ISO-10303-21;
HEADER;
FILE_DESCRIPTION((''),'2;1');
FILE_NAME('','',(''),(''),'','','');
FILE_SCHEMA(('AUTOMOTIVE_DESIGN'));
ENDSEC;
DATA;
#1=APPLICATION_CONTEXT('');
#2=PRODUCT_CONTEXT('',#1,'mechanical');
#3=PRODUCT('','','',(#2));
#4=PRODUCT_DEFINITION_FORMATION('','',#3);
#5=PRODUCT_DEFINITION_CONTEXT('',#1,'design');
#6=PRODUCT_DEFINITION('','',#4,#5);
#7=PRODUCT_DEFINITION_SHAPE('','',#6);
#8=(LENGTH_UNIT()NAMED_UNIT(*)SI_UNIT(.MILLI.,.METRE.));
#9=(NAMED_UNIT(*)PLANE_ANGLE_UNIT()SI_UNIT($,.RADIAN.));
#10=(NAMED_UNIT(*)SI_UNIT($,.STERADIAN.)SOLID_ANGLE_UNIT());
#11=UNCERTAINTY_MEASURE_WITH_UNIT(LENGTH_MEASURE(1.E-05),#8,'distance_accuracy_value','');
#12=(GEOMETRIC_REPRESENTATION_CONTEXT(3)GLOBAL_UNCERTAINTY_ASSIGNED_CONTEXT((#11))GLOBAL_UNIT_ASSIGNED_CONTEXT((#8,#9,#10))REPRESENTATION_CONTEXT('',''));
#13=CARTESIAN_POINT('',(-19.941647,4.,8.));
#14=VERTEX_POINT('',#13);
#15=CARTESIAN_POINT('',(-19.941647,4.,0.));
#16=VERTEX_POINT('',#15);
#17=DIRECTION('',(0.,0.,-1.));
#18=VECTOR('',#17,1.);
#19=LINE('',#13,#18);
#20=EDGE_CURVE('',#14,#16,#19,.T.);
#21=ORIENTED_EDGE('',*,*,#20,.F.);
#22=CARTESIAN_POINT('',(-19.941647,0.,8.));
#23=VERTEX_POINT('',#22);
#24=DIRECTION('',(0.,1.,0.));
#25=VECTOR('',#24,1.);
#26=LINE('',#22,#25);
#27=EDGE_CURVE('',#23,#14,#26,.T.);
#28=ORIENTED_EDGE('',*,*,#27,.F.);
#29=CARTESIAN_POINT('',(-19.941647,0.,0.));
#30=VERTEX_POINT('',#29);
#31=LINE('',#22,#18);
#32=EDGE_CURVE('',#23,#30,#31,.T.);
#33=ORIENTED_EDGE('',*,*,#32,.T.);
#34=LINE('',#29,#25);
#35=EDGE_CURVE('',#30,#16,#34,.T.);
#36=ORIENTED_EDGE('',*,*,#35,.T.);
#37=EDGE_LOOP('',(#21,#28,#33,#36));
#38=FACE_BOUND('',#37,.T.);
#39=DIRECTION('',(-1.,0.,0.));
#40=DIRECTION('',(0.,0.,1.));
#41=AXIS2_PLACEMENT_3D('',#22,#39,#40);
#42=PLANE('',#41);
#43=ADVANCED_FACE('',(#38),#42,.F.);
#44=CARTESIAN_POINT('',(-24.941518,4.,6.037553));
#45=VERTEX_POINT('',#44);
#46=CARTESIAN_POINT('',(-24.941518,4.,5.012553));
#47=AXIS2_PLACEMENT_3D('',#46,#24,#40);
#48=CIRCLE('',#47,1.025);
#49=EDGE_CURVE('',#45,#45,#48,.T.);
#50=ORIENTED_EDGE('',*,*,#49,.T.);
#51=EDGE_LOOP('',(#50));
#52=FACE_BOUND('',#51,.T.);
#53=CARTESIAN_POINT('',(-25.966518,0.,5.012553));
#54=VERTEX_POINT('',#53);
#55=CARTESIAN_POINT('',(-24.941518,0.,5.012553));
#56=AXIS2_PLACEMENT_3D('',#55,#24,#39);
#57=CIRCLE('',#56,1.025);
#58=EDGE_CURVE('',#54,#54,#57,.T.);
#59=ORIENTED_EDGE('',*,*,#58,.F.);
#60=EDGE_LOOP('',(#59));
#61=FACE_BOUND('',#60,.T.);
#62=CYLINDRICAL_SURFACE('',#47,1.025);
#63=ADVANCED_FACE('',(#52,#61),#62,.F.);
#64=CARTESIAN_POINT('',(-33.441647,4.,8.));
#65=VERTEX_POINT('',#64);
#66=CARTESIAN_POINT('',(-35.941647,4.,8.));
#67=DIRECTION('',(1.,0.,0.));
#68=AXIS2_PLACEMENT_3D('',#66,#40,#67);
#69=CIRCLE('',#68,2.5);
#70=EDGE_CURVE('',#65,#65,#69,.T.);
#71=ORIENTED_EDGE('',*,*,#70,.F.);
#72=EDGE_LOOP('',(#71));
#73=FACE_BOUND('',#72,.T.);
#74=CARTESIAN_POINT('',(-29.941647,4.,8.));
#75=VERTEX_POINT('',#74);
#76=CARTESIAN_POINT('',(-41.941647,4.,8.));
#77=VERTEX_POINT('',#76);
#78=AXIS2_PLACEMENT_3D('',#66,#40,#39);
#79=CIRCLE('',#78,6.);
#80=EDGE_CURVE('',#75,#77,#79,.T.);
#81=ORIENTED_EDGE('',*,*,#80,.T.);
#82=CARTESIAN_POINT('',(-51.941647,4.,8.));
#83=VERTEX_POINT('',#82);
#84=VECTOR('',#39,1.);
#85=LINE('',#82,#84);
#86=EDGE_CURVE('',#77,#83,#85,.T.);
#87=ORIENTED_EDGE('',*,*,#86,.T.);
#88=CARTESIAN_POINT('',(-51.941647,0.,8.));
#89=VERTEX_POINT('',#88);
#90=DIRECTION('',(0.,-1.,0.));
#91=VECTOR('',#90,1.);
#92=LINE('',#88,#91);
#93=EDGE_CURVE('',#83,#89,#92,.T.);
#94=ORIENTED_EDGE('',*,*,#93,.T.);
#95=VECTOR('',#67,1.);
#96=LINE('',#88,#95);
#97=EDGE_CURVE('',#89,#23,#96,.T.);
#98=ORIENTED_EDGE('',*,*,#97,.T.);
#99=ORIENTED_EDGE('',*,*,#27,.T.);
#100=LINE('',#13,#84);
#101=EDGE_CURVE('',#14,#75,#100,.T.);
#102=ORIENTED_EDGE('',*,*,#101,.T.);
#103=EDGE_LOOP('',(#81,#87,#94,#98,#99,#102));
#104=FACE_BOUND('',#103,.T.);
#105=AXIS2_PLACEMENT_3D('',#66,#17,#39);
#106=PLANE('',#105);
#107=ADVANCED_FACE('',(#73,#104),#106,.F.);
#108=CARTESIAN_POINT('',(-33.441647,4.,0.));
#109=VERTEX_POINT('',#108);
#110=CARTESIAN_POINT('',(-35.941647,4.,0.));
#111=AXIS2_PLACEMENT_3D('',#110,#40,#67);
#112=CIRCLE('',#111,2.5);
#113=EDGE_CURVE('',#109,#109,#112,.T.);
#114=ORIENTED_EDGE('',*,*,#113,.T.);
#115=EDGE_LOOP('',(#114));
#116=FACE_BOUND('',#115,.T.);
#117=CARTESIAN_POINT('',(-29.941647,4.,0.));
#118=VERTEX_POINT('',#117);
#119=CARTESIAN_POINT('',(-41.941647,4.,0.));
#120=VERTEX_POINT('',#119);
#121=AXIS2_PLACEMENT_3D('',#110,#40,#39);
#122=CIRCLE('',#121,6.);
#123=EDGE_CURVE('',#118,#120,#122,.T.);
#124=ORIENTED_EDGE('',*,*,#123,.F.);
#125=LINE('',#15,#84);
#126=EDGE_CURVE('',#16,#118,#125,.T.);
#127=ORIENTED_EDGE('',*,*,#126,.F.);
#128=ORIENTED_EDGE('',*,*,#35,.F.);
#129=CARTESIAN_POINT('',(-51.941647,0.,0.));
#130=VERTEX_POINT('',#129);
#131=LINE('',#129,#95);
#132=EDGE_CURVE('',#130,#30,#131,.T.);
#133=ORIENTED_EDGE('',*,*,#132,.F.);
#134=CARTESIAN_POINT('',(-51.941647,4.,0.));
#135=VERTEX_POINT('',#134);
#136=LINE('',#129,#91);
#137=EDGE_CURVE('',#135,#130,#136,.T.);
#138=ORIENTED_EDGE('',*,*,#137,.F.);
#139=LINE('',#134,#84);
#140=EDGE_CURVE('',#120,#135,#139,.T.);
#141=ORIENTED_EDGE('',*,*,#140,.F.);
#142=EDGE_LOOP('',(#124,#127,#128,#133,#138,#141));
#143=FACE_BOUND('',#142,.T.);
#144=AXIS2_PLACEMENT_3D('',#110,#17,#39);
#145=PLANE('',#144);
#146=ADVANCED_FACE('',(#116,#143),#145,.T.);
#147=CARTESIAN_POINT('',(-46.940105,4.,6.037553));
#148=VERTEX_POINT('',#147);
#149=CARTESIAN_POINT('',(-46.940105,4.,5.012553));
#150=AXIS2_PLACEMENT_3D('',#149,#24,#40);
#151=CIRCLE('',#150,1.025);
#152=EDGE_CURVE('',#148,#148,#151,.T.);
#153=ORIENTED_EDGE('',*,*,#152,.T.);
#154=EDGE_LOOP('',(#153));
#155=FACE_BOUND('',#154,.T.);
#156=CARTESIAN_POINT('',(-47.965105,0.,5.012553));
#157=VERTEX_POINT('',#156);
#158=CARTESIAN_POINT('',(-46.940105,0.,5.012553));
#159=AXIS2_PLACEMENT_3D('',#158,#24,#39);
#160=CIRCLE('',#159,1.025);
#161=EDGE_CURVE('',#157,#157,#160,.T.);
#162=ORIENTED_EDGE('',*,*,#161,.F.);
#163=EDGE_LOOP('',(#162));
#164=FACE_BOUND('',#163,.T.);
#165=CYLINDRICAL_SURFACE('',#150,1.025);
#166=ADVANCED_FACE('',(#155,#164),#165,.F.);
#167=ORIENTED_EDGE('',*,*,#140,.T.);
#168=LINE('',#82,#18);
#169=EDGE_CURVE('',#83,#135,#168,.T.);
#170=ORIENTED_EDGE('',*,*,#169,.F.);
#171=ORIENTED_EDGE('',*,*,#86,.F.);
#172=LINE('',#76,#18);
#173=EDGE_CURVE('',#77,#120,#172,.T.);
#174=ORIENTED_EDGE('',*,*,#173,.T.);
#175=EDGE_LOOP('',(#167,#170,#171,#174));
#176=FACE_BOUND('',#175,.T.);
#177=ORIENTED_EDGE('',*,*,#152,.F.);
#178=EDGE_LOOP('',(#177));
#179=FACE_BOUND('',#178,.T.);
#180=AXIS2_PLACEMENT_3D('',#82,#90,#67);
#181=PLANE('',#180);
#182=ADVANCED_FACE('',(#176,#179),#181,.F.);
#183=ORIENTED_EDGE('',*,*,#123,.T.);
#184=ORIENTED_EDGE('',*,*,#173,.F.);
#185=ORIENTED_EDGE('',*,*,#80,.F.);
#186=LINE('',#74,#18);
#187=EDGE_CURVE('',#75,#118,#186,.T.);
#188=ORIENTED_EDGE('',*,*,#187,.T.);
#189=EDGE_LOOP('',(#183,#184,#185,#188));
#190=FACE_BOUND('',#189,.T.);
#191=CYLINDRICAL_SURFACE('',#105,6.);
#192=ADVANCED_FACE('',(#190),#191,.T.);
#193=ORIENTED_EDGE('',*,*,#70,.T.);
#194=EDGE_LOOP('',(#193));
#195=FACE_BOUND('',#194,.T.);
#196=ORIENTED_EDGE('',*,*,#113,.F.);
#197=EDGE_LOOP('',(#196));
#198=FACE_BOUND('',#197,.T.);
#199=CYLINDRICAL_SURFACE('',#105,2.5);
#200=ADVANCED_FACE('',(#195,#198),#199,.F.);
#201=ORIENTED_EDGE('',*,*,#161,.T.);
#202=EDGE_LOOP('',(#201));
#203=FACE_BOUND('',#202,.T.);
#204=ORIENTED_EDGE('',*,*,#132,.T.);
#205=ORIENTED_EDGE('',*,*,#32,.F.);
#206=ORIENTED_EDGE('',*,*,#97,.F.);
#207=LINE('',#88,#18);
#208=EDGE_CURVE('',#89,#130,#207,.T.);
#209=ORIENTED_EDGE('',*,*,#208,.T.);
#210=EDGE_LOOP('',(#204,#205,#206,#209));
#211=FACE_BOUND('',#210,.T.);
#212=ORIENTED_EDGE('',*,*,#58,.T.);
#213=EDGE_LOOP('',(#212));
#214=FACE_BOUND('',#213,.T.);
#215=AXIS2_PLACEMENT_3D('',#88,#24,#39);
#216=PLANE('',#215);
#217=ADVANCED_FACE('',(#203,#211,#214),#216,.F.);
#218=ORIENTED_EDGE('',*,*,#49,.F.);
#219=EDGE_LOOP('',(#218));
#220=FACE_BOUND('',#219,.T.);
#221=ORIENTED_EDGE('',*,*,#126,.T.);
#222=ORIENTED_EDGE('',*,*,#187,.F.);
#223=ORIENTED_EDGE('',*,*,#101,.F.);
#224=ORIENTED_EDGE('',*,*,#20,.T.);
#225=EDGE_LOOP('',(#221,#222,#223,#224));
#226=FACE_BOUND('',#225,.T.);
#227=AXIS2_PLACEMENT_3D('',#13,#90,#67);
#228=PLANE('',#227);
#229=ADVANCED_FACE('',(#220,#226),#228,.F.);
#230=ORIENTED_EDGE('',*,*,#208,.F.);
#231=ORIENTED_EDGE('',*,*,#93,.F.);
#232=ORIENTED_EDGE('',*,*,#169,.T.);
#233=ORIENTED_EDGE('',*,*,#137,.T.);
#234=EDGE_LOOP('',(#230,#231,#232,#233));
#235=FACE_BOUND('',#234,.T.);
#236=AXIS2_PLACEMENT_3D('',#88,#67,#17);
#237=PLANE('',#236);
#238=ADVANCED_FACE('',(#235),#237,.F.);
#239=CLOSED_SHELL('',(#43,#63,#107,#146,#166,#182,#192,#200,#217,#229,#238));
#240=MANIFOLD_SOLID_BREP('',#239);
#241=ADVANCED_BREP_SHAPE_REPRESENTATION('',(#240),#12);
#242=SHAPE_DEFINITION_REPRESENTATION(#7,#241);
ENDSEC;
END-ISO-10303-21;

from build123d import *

# Parameters (mm, degrees)
CROQUIS1_R                                     = 2.5
SALIENTE_EXTRUIR1_DEPTH                        = 8
PERFORADOR_PARA_ROSCAR_PARA_MACHO_DE_ROS_D     = 2.05
PERFORADOR_PARA_ROSCAR_PARA_MACHO_DE_ROS_DEPTH = 10
PERFORADOR_PARA_ROSCAR_PARA_MACHO_DE_ROS_TIP   = 0.615882135


with BuildPart() as part:
    # Croquis1 → Saliente-Extruir1 (new body)
    with BuildSketch(Plane.XY):
        with BuildLine():
            Line((-51.94164691, 0), (-19.94164691, 0))
            Line((-19.94164691, 0), (-19.94164691, 4))
            Line((-19.94164691, 4), (-29.94164691, 4))
            ThreePointArc((-29.94164691, 4), (-35.94164691, 10), (-41.94164691, 4))
            Line((-41.94164691, 4), (-51.94164691, 4))
            Line((-51.94164691, 4), (-51.94164691, 0))
        make_face()
        with Locations((-35.94164691, 4)):
            Circle(CROQUIS1_R, mode=Mode.SUBTRACT)
    extrude(amount=SALIENTE_EXTRUIR1_DEPTH)

    # Perforador para roscar para macho de roscar para M2.5x0.451
    with Locations(Plane(origin=(0, 4, 0), x_dir=(1, 0, 0), z_dir=(0, 1, 0))):
        with Locations((-46.940104762, -5.012552849), (-24.941517603, -5.012552849)):
            Hole(PERFORADOR_PARA_ROSCAR_PARA_MACHO_DE_ROS_D / 2, depth=PERFORADOR_PARA_ROSCAR_PARA_MACHO_DE_ROS_DEPTH)
            with Locations((0, 0, -(PERFORADOR_PARA_ROSCAR_PARA_MACHO_DE_ROS_DEPTH + PERFORADOR_PARA_ROSCAR_PARA_MACHO_DE_ROS_TIP / 2))):  # 118° drill point
                Cone(0, PERFORADOR_PARA_ROSCAR_PARA_MACHO_DE_ROS_D / 2, PERFORADOR_PARA_ROSCAR_PARA_MACHO_DE_ROS_TIP, mode=Mode.SUBTRACT)


solid = part.part
